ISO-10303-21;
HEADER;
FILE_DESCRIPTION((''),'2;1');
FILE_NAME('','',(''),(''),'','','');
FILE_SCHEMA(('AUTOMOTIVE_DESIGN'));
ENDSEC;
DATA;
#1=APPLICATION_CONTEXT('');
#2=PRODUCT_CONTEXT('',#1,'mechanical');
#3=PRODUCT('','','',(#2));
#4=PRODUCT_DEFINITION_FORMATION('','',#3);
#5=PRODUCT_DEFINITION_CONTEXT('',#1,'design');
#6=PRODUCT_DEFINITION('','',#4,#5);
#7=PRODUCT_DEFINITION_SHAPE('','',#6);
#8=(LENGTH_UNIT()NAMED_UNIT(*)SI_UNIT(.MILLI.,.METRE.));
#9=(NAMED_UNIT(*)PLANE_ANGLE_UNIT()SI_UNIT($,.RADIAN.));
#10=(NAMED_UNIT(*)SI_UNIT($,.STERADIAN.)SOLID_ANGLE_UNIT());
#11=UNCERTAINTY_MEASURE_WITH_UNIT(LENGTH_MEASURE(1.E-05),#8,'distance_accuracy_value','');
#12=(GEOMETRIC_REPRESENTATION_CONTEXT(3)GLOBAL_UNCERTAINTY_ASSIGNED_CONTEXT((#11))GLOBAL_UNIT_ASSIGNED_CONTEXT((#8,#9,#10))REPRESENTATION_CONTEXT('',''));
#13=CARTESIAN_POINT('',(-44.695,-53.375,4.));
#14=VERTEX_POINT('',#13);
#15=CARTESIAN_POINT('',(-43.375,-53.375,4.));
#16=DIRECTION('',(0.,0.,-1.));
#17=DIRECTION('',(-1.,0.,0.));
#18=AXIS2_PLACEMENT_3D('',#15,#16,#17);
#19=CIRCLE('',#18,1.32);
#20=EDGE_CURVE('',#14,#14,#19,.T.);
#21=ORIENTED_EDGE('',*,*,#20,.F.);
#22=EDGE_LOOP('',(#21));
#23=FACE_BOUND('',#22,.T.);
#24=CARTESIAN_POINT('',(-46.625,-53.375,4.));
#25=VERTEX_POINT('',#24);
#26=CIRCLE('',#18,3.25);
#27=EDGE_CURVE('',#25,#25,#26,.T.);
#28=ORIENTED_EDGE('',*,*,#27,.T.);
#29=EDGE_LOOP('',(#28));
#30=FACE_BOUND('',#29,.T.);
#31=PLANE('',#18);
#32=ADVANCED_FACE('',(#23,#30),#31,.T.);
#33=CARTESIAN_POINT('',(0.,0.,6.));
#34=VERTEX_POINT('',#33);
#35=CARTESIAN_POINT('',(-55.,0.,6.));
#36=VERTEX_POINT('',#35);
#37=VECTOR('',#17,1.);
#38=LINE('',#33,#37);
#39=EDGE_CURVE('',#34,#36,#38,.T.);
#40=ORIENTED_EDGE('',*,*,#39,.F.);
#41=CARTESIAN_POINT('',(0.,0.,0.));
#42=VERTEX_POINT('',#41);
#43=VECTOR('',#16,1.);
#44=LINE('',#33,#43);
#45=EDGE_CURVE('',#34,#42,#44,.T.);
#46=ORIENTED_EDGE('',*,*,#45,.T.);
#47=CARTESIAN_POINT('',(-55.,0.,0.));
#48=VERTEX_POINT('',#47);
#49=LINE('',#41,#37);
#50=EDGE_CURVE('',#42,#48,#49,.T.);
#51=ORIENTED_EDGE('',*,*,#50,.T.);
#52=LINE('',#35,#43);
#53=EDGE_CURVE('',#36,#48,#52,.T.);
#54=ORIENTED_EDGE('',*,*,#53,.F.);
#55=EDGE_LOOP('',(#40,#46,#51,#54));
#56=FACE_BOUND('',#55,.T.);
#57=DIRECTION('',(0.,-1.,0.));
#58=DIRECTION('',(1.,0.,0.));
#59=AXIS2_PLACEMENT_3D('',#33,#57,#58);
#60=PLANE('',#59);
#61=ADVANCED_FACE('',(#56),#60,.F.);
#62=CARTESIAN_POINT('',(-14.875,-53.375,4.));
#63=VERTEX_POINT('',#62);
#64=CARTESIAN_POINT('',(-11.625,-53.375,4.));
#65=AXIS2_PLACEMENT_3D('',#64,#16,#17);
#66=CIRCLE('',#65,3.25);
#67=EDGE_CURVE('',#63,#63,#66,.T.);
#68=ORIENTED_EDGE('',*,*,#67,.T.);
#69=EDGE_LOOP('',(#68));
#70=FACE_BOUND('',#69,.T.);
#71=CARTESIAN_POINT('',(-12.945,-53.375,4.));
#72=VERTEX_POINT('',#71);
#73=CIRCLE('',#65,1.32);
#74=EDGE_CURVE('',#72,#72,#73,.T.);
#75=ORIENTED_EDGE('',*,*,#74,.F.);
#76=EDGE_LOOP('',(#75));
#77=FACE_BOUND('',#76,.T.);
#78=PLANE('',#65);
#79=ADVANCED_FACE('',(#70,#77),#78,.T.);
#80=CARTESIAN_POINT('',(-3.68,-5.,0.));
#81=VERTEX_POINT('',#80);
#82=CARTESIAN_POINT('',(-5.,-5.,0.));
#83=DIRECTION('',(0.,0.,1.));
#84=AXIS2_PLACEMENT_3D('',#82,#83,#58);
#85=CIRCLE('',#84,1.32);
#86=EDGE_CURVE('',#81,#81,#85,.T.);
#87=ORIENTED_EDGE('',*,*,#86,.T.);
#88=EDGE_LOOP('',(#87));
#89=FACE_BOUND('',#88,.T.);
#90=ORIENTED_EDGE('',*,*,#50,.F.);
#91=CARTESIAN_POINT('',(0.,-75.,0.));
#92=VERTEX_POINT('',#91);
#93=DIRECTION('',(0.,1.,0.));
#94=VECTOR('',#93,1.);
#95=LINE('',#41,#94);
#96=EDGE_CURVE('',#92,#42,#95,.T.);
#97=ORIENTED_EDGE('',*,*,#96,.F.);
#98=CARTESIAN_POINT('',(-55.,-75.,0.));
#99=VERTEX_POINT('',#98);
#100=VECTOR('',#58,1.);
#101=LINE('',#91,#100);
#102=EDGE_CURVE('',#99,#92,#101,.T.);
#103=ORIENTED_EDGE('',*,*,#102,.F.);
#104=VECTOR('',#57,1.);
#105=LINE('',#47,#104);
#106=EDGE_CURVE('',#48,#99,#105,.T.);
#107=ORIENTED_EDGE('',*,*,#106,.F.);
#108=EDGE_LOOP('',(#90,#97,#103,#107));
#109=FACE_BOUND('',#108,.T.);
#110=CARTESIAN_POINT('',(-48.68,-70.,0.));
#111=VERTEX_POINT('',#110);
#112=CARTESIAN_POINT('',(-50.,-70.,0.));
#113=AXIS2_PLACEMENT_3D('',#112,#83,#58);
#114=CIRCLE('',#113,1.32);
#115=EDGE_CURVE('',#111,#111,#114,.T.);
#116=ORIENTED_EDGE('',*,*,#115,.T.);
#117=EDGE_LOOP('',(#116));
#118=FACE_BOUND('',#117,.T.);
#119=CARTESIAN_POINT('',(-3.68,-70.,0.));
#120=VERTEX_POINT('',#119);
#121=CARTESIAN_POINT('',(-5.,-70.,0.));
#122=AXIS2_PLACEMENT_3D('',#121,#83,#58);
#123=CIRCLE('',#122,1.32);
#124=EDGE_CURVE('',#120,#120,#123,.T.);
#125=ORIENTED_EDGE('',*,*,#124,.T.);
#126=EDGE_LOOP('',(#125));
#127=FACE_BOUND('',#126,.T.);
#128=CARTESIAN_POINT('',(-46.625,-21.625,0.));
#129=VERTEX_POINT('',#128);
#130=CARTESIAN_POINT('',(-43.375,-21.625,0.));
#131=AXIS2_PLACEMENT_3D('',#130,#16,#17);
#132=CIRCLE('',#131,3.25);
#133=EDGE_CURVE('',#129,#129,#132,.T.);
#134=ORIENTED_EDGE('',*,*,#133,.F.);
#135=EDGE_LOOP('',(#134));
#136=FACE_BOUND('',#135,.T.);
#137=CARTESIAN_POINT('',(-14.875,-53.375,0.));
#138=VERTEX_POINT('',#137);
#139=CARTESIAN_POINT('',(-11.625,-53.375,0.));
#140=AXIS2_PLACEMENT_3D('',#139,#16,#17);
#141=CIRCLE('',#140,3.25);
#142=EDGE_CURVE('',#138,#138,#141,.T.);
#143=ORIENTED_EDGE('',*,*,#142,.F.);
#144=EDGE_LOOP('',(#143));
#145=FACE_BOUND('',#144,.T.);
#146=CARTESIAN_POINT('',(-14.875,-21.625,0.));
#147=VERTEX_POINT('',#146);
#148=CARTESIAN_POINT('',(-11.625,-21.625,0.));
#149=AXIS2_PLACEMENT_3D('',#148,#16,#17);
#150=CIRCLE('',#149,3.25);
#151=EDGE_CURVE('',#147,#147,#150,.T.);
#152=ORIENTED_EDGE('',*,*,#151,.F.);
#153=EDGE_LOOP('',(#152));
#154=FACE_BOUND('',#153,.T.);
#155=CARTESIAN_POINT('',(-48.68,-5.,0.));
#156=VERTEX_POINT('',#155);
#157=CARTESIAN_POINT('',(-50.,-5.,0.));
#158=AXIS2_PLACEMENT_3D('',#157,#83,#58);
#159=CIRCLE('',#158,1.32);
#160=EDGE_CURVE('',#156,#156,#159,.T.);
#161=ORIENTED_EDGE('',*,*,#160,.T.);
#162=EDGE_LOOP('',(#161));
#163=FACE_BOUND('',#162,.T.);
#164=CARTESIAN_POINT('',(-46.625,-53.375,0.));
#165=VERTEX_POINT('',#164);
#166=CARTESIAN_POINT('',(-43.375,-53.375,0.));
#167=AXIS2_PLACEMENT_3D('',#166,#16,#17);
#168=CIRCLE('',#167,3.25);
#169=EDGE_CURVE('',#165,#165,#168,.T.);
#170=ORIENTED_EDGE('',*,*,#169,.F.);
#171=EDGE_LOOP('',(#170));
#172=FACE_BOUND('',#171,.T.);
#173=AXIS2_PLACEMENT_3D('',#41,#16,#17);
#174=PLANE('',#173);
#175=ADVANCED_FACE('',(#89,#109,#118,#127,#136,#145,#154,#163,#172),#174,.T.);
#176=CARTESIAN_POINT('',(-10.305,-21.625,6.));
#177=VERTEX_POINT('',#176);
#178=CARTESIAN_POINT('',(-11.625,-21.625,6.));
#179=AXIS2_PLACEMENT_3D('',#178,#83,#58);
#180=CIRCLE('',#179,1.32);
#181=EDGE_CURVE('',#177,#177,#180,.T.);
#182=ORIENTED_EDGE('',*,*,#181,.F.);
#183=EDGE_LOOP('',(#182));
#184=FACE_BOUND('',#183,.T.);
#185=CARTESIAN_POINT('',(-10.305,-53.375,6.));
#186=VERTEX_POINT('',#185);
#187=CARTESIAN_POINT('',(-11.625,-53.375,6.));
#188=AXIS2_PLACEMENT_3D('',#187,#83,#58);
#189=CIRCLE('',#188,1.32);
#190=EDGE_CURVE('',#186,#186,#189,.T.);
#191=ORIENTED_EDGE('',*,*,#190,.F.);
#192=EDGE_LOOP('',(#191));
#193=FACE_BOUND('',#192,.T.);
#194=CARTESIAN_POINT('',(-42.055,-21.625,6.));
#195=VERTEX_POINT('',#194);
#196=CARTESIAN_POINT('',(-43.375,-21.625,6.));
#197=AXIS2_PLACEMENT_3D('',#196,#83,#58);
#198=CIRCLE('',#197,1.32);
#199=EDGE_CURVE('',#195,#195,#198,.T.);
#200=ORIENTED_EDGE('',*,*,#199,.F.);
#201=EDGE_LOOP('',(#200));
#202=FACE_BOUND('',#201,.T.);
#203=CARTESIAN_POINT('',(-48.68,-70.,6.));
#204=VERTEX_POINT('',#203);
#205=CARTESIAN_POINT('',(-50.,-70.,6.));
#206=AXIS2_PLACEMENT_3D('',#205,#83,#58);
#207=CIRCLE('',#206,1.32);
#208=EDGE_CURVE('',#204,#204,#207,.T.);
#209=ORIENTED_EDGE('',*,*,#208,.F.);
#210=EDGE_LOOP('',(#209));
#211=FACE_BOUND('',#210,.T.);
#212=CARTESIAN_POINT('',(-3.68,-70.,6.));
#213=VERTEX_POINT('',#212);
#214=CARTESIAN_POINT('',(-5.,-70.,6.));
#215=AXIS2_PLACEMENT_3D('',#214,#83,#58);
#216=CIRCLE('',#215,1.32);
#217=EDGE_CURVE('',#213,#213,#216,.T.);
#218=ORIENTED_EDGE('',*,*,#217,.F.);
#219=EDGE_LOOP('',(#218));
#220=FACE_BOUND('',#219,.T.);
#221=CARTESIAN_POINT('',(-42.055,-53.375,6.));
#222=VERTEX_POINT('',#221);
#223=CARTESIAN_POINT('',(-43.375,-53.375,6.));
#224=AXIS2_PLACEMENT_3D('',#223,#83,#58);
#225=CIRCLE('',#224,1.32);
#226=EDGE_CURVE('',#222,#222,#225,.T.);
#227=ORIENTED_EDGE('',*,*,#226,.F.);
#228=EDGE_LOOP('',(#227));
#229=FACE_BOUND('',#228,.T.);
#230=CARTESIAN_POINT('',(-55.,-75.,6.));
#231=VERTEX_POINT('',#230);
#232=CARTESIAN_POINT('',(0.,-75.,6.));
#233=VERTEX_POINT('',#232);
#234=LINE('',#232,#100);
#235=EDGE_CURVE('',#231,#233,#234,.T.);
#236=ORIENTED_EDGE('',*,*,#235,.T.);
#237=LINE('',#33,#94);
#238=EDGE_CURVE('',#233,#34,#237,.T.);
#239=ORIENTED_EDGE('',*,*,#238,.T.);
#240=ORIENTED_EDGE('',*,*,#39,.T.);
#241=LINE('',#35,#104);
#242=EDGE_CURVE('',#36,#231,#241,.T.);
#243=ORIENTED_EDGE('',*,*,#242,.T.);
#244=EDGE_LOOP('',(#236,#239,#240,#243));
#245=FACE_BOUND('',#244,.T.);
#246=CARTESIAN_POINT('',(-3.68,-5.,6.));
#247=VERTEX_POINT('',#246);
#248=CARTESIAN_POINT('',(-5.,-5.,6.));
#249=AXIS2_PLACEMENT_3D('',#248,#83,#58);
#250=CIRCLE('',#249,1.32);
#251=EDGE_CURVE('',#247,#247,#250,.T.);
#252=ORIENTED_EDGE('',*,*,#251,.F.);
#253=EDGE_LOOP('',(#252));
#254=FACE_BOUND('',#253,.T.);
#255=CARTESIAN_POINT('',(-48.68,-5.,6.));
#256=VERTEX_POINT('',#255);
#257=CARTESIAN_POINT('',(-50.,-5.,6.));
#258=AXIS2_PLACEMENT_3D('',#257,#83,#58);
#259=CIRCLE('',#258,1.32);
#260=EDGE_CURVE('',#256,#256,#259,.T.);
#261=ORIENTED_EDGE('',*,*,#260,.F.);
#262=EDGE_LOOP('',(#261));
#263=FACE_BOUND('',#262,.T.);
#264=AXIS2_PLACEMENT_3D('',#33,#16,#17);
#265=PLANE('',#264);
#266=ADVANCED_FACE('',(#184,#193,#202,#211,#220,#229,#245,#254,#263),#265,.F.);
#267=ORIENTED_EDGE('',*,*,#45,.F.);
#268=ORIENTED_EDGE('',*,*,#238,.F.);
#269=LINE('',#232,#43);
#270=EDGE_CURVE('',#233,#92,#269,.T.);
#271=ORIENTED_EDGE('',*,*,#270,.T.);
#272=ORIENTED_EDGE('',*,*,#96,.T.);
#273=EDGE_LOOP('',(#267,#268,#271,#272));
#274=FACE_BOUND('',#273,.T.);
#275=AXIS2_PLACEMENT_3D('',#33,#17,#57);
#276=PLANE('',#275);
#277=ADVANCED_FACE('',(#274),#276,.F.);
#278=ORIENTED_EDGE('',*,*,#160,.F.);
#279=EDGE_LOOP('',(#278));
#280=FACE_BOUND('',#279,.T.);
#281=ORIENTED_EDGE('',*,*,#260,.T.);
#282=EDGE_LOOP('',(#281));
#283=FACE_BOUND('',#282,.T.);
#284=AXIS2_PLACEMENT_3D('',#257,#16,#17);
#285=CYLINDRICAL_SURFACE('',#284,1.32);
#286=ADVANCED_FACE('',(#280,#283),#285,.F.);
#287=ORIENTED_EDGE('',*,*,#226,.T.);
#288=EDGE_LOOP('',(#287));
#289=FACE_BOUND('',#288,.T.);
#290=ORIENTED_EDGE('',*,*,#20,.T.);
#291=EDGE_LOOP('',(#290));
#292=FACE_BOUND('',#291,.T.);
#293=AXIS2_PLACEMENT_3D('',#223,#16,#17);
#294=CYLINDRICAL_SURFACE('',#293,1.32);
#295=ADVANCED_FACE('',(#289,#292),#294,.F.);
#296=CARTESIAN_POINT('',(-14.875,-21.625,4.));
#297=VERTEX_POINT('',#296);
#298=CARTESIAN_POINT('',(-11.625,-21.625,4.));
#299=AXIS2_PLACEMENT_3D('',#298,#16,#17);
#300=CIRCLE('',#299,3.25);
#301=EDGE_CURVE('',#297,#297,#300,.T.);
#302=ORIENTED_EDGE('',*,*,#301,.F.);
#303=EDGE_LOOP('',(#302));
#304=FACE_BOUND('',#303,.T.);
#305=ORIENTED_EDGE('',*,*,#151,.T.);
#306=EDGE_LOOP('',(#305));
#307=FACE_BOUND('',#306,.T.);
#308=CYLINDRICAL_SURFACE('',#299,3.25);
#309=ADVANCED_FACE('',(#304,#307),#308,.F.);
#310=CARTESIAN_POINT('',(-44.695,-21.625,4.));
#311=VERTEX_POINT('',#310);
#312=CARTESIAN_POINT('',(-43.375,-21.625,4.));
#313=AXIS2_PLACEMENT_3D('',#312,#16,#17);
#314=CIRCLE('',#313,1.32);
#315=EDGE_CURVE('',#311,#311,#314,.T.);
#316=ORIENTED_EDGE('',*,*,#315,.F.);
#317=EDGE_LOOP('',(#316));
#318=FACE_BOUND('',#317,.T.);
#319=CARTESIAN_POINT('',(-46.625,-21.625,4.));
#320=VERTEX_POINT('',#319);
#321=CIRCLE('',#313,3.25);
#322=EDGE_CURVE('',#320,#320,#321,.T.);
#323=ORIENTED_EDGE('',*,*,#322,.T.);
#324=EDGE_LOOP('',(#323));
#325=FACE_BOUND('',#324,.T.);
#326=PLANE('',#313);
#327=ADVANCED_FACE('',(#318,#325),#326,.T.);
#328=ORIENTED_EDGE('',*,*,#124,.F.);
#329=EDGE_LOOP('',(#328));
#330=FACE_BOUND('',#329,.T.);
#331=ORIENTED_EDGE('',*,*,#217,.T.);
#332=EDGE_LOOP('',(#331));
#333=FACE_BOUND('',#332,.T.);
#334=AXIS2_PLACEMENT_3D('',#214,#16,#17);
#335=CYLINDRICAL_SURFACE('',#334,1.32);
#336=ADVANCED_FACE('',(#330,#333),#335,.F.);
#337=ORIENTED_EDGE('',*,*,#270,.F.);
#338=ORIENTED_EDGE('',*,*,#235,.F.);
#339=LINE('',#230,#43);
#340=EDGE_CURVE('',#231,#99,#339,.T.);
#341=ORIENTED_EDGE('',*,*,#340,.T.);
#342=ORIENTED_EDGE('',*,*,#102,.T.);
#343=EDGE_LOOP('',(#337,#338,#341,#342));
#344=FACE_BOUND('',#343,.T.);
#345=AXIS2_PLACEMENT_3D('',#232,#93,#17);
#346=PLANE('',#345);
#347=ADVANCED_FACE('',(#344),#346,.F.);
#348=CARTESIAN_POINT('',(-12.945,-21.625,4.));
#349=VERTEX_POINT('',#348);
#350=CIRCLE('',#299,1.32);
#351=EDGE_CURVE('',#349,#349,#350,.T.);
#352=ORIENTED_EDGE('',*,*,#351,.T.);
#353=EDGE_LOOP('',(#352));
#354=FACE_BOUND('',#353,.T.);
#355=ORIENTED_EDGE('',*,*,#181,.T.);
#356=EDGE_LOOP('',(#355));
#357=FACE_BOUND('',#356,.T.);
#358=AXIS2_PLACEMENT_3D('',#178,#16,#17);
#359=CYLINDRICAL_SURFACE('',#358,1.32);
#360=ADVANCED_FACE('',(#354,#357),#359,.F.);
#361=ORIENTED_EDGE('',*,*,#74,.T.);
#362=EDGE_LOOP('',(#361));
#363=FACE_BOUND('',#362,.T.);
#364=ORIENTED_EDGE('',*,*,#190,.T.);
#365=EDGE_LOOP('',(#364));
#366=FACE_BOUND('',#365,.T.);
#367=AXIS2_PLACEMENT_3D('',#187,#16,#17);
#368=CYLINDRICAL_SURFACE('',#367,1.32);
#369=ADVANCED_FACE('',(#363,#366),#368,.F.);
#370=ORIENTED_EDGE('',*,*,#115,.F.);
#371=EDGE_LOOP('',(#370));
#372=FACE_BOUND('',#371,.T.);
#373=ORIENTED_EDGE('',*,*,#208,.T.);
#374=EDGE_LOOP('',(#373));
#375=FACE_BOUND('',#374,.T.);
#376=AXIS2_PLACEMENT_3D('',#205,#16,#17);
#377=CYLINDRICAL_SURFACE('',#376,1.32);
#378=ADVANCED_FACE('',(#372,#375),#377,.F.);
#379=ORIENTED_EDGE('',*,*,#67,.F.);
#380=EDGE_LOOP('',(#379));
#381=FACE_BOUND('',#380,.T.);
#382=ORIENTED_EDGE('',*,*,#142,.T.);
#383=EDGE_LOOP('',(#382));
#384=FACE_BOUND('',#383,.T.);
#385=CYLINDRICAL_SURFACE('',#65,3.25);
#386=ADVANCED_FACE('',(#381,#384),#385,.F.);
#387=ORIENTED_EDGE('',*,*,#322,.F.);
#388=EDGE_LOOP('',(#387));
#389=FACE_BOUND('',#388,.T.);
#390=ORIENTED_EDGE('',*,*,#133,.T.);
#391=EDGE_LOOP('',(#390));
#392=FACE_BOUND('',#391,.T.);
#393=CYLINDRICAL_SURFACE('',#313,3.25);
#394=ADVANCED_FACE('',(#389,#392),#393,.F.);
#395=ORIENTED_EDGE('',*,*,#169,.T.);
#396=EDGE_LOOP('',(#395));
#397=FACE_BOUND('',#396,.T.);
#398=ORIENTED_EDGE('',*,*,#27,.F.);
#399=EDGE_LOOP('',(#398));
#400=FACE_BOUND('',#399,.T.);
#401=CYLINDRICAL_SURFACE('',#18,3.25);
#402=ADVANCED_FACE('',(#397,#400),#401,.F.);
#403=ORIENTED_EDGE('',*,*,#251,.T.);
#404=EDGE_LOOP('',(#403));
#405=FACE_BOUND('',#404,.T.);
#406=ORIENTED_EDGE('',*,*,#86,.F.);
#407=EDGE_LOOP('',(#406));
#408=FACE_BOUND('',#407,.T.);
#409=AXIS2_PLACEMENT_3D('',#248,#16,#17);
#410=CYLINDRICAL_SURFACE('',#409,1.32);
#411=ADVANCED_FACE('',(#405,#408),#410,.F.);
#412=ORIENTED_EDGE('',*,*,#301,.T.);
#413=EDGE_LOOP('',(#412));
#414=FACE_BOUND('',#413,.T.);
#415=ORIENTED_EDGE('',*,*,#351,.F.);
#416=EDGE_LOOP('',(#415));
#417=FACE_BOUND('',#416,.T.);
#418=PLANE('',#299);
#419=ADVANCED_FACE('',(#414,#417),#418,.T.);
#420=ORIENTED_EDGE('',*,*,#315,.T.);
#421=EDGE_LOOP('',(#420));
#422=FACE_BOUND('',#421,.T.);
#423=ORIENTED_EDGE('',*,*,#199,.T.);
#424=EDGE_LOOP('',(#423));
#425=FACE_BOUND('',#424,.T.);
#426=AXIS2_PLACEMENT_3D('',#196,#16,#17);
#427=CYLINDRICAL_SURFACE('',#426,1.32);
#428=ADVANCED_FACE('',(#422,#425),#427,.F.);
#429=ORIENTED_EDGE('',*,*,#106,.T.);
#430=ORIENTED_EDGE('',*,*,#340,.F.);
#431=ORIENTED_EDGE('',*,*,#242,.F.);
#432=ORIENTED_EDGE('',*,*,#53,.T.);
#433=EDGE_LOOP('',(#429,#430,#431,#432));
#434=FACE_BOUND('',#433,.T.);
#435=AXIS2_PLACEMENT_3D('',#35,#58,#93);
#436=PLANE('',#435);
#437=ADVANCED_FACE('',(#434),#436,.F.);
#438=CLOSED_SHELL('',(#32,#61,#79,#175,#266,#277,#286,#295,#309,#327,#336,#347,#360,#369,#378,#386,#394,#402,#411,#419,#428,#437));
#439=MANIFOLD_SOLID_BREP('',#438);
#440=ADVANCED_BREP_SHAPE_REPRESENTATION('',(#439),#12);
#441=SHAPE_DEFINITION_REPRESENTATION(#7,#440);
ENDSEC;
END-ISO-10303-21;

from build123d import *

# Parameters (mm, degrees)
SKETCH1_W           = 55
SKETCH1_H           = 75
SKETCH1_R           = 1.32
BOSS_EXTRUDE1_DEPTH = 6
SKETCH2_R           = 3.25
CUT_EXTRUDE1_DEPTH  = 4


with BuildPart() as part:
    # Sketch1 → Boss-Extrude1 (new body)
    with BuildSketch(Plane.XY):
        with Locations((-27.5, -37.5)):
            Rectangle(SKETCH1_W, SKETCH1_H)
        with Locations((-43.375, -21.625)):
            Circle(SKETCH1_R, mode=Mode.SUBTRACT)
        with Locations((-11.625, -21.625)):
            Circle(SKETCH1_R, mode=Mode.SUBTRACT)
        with Locations((-11.625, -53.375)):
            Circle(SKETCH1_R, mode=Mode.SUBTRACT)
        with Locations((-43.375, -53.375)):
            Circle(SKETCH1_R, mode=Mode.SUBTRACT)
        with Locations((-50, -5)):
            Circle(SKETCH1_R, mode=Mode.SUBTRACT)
        with Locations((-5, -5)):
            Circle(SKETCH1_R, mode=Mode.SUBTRACT)
        with Locations((-5, -70)):
            Circle(SKETCH1_R, mode=Mode.SUBTRACT)
        with Locations((-50, -70)):
            Circle(SKETCH1_R, mode=Mode.SUBTRACT)
    extrude(amount=BOSS_EXTRUDE1_DEPTH)

    # Sketch2 → Cut-Extrude1 (cut)
    with BuildSketch(Plane(origin=(0, 0, 0), x_dir=(-1, 0, 0), z_dir=(0, 0, -1))):
        with Locations((11.625, -21.625)):
            Circle(SKETCH2_R)
        with Locations((43.375, -21.625)):
            Circle(SKETCH2_R)
        with Locations((43.375, -53.375)):
            Circle(SKETCH2_R)
        with Locations((11.625, -53.375)):
            Circle(SKETCH2_R)
    extrude(amount=-CUT_EXTRUDE1_DEPTH, mode=Mode.SUBTRACT)


solid = part.part
